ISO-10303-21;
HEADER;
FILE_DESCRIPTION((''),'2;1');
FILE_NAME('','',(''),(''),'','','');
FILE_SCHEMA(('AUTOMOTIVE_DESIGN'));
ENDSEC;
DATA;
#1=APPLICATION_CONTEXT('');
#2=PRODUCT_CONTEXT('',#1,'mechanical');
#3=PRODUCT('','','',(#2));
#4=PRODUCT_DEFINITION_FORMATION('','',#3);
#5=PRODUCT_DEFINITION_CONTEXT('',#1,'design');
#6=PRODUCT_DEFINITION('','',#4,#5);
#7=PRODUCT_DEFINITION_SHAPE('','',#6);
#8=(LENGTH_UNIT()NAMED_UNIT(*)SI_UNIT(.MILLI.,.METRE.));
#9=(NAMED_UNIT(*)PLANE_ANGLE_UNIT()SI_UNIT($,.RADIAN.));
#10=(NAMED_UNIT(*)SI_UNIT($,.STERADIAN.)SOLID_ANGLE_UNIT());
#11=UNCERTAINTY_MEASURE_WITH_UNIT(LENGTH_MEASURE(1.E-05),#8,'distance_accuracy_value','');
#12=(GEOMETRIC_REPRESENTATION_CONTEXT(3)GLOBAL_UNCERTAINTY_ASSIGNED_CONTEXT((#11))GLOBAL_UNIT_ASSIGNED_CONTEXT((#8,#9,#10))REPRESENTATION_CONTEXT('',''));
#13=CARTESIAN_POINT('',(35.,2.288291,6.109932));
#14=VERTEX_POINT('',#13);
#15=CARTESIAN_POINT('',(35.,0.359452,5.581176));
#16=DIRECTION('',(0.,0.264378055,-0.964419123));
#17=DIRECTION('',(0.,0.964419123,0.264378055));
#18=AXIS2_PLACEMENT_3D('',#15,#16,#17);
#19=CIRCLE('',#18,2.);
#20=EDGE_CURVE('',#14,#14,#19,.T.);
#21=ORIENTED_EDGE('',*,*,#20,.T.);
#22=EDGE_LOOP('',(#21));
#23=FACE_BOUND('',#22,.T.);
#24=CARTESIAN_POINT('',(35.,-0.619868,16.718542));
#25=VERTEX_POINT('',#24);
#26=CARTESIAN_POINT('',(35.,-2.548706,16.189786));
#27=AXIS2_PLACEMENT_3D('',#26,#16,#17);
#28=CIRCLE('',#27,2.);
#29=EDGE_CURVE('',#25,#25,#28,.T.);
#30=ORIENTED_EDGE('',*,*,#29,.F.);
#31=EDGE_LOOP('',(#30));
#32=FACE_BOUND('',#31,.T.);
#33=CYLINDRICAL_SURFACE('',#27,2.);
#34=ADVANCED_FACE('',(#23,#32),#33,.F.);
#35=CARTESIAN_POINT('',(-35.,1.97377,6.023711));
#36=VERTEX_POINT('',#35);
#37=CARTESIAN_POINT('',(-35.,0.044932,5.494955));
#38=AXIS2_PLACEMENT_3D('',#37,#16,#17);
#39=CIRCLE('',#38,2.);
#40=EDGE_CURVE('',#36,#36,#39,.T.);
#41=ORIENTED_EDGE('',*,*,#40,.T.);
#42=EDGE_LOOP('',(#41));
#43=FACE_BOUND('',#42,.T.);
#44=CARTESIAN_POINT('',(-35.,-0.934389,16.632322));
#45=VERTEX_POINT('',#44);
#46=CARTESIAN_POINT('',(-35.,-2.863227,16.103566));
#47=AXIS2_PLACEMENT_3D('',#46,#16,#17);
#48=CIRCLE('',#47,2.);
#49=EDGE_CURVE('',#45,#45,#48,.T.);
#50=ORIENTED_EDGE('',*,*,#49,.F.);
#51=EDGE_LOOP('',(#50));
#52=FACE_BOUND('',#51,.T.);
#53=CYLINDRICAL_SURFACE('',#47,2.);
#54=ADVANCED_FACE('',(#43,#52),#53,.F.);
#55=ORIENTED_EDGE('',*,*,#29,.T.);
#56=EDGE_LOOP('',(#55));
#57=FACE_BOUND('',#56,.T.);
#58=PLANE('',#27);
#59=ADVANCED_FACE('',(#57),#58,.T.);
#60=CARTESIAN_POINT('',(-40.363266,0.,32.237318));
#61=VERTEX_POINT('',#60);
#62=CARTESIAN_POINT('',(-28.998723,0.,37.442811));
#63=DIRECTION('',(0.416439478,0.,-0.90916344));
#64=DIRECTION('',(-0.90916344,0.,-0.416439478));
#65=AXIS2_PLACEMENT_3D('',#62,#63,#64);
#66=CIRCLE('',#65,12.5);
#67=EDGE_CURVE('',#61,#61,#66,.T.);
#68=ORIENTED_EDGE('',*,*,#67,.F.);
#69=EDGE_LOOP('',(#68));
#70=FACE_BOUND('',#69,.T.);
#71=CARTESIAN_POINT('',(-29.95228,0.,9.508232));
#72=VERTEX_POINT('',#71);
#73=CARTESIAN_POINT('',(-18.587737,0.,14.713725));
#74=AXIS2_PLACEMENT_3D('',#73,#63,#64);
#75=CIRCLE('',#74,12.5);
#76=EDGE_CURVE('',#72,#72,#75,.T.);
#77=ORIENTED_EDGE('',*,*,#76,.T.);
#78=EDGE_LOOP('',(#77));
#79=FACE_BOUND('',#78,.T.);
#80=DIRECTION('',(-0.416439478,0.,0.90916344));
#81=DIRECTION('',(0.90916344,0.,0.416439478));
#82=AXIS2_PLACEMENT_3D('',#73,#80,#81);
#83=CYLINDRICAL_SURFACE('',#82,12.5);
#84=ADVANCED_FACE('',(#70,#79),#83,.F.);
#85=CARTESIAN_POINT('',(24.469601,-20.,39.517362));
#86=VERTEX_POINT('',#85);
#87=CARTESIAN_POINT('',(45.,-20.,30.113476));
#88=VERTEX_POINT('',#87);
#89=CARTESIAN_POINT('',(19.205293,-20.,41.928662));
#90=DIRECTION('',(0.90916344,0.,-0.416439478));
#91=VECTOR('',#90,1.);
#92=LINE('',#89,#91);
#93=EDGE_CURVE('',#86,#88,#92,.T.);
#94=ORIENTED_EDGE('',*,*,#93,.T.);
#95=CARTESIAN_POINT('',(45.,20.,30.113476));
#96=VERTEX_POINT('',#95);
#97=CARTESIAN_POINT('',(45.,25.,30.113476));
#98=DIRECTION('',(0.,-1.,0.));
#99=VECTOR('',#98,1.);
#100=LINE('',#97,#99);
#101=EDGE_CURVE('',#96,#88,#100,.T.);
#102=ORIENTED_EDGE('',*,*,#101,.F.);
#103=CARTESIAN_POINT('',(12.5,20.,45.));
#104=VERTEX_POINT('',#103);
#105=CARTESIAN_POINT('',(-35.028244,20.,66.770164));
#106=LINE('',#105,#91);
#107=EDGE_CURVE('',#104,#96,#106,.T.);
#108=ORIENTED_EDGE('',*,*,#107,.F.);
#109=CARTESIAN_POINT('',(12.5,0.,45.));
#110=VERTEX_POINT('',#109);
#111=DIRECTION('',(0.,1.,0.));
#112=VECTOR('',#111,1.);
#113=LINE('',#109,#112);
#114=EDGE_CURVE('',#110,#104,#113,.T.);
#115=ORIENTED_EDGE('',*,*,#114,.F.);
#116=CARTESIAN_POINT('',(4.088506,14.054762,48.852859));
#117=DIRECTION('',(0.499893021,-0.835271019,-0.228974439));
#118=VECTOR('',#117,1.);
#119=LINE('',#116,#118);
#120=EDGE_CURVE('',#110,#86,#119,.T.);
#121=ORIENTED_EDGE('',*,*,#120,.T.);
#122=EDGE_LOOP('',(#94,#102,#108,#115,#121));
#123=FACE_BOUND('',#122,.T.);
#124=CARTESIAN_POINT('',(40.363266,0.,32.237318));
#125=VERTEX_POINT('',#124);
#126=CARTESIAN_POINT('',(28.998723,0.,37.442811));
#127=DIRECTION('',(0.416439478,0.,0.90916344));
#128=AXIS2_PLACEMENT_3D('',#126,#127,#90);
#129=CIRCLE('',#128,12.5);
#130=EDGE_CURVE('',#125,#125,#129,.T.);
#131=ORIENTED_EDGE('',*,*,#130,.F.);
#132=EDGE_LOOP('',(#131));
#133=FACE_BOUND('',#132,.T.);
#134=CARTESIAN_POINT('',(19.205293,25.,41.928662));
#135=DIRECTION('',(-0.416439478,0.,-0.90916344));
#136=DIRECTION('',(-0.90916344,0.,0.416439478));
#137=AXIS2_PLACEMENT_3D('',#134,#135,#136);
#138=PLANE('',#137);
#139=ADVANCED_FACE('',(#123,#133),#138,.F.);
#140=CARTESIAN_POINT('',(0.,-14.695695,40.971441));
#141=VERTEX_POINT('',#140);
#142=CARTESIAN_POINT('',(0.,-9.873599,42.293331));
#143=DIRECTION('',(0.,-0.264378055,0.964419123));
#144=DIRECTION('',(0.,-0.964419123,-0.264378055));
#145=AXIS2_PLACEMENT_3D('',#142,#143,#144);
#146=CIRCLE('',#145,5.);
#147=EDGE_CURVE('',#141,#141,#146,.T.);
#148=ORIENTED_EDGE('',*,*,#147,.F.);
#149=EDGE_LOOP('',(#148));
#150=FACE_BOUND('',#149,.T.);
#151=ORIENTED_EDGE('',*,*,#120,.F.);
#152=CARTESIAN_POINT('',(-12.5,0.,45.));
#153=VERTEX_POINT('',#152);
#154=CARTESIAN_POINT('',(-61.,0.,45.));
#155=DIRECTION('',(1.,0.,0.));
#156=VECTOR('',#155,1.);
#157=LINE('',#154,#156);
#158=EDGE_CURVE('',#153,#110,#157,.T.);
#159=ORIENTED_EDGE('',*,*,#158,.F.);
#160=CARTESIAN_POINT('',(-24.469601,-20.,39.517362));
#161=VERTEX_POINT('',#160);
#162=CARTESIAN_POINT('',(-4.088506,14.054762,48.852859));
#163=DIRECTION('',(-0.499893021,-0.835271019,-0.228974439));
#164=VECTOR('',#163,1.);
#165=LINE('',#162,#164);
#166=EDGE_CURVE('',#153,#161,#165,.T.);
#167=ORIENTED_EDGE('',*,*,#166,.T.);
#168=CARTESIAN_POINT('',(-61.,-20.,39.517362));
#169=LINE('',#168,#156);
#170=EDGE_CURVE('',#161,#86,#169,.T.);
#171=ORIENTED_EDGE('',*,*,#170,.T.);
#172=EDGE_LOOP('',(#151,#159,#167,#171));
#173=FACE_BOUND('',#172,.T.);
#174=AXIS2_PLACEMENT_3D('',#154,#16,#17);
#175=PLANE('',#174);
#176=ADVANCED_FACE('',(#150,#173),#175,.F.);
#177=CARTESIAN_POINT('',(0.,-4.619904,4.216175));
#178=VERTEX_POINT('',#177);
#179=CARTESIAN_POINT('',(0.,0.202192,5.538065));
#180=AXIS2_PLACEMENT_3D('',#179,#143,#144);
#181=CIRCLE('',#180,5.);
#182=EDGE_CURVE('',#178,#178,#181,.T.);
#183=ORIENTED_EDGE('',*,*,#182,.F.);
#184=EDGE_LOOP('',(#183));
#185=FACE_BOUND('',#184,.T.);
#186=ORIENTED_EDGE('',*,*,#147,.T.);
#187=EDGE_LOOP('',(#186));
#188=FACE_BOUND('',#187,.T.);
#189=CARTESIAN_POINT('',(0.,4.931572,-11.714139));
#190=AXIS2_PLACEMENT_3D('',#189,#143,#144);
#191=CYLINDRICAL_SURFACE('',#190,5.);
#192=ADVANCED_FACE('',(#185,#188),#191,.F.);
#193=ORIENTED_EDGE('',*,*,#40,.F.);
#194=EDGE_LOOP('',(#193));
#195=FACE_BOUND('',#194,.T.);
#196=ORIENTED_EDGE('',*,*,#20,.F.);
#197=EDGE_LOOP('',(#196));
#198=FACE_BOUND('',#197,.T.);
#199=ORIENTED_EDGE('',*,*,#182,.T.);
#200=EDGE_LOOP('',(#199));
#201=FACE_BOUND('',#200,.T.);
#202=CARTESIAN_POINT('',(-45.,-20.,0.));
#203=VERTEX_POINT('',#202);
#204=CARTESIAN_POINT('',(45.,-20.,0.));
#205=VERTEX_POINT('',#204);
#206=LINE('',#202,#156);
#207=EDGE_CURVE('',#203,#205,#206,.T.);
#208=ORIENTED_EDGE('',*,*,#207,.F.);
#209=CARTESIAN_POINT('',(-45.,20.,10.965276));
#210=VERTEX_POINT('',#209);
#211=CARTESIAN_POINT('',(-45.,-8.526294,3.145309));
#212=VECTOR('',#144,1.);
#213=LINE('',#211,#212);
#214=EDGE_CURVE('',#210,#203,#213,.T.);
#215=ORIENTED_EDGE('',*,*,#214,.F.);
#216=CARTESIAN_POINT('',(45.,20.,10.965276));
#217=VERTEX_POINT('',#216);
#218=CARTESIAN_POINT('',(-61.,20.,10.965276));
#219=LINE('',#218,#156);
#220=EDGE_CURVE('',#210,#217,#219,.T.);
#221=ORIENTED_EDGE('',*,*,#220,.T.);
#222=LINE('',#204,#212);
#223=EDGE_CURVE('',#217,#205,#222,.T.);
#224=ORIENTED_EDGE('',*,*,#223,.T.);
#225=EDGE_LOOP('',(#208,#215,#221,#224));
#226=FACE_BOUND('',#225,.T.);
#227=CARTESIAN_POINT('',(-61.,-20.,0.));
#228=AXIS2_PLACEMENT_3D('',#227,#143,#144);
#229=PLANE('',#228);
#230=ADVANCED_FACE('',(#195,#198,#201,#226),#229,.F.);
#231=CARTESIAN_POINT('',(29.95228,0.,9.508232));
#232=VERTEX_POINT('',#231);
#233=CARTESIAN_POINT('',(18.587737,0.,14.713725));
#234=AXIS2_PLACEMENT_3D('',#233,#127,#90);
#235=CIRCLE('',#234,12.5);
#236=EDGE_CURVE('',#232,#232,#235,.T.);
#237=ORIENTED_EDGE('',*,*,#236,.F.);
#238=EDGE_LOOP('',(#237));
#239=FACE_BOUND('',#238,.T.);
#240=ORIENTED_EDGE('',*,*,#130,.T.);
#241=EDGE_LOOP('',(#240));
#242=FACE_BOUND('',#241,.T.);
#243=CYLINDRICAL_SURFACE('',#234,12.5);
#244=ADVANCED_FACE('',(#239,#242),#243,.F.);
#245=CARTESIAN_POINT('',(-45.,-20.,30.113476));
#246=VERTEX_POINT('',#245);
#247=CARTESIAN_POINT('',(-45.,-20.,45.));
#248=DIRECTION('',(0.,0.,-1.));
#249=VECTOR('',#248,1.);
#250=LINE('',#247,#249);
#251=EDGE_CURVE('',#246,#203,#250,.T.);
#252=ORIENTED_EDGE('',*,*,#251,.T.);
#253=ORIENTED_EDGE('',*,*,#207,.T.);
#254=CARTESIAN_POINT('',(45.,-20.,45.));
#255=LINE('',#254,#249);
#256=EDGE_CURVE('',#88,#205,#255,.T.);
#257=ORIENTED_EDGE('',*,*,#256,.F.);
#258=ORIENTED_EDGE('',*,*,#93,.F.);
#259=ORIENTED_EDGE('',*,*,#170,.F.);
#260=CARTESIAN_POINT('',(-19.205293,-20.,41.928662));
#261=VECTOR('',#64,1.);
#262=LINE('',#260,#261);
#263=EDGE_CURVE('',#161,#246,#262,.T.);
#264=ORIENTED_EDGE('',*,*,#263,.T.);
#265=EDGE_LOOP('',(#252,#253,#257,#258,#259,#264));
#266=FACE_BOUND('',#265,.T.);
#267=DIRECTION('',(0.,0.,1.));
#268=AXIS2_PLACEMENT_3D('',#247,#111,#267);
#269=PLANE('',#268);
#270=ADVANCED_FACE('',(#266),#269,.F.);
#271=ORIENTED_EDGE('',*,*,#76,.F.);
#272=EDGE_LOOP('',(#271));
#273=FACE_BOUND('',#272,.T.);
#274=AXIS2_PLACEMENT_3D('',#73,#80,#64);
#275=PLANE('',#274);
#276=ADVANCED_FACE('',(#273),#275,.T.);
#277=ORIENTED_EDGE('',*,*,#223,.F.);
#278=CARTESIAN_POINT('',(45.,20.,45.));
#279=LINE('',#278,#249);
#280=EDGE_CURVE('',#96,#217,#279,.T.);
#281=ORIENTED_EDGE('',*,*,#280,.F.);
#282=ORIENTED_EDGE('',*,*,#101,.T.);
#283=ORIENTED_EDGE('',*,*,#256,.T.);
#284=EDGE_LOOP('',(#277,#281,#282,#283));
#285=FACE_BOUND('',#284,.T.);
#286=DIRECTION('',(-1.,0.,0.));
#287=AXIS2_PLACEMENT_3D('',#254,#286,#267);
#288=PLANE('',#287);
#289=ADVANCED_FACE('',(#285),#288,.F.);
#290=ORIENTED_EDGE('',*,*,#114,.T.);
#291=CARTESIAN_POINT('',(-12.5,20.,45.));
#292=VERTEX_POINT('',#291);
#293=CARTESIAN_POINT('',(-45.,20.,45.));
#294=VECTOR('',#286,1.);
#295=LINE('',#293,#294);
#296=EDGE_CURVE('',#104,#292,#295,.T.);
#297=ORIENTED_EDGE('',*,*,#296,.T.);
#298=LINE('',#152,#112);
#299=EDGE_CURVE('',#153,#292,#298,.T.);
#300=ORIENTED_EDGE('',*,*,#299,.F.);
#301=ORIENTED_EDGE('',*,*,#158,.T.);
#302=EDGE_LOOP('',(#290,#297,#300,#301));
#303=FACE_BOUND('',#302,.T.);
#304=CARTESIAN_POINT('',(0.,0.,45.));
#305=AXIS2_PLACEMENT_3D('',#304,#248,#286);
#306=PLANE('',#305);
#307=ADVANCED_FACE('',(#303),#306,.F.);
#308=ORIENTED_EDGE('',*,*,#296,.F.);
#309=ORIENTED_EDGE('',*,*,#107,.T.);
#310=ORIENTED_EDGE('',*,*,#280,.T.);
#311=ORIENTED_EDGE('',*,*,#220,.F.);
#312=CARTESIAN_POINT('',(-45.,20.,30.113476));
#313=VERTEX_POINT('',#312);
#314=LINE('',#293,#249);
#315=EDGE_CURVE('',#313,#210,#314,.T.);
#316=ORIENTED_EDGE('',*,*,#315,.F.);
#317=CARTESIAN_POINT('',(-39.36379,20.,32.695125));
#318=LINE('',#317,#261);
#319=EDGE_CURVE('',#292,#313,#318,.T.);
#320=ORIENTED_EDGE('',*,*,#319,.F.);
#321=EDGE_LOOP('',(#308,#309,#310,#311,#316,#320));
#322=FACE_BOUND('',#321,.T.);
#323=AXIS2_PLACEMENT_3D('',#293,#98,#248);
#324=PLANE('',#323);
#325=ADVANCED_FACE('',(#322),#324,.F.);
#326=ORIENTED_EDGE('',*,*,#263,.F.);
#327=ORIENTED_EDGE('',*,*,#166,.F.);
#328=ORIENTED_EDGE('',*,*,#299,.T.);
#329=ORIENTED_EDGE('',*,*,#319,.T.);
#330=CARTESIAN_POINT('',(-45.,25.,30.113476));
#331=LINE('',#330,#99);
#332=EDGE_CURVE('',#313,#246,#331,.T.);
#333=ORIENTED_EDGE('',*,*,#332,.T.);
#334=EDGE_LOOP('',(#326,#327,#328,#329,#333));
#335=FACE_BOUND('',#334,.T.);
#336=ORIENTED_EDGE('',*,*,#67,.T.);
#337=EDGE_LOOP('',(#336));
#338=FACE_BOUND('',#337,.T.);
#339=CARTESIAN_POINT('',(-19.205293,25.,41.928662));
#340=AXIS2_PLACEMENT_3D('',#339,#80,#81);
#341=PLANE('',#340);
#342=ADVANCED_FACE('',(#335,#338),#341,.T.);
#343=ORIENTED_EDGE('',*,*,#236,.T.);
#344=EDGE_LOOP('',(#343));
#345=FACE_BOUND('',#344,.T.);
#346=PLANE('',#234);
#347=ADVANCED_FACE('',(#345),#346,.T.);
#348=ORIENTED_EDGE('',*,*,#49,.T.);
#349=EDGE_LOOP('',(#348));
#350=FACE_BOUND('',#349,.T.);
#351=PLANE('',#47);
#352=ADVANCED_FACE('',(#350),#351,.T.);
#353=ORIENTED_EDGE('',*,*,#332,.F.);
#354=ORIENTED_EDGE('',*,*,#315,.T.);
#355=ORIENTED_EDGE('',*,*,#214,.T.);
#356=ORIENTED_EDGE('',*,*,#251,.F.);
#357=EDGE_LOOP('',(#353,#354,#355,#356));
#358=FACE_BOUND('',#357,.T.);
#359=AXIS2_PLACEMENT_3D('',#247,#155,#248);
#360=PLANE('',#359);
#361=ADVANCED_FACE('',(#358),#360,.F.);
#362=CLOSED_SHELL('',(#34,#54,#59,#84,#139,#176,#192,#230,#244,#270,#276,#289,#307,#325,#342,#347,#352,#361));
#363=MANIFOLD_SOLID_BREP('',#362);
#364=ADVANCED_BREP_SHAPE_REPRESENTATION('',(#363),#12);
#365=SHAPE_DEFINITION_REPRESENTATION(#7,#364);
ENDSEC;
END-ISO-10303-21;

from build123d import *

# Parameters (mm, degrees)
ESQUISSE1_W             = 90
ESQUISSE1_H             = 40
BOSS_EXTRU_1_DEPTH      = 45
ENL_V_MAT_EXTRU_2_DEPTH = 45
ENL_V_MAT_EXTRU_3_DEPTH = 106
ESQUISSE6_R             = 12.5
ENL_V_MAT_EXTRU_4_DEPTH = 25
ESQUISSE7_R             = 5
ENL_V_MAT_EXTRU_5_DEPTH = 56
ESQUISSE9_R             = 2
ENL_V_MAT_EXTRU_6_DEPTH = 11


with BuildPart() as part:
    # Esquisse1 → Boss.-Extru.1 (new body)
    with BuildSketch(Plane.XY):
        Rectangle(ESQUISSE1_W, ESQUISSE1_H)
    extrude(amount=BOSS_EXTRU_1_DEPTH)

    # Esquisse2 → Enlèv. mat.-Extru.2 (cut)
    with BuildSketch(Plane.XZ.offset(20)):
        Polygon((45, 45), (12.5, 45), (45, 30.113476392), align=None)
        Polygon((-45, 30.113476392), (-12.5, 45), (-45, 45), align=None)
    extrude(amount=-ENL_V_MAT_EXTRU_2_DEPTH, mode=Mode.SUBTRACT)

    # Esquisse3 → Enlèv. mat.-Extru.3 (cut)
    with BuildSketch(Plane(origin=(45, 0, 0), x_dir=(0, 0, -1), z_dir=(1, 0, 0))):
        Polygon((0, -20), (-10.965276347, 20), (0, 20), align=None)
        Polygon((-45, 0), (-39.517361826, -20), (-45, -20), align=None)
    extrude(amount=-ENL_V_MAT_EXTRU_3_DEPTH, mode=Mode.SUBTRACT)

    # Esquisse6 → Enlèv. mat.-Extru.4 (cut)
    with BuildSketch(Plane(origin=(19.205292649, 0, 41.928661621), x_dir=(0.90916344, 0, -0.416439478), z_dir=(0.416439478, 0, 0.90916344))):
        with Locations((10.771914446, 0)):
            Circle(ESQUISSE6_R)
    enl_v_mat_extru_4 = extrude(amount=-ENL_V_MAT_EXTRU_4_DEPTH, mode=Mode.SUBTRACT)

    # Symétrie1: Enlèv. mat.-Extru.4 across plane
    add(enl_v_mat_extru_4.mirror(Plane(origin=(0, 0, 0), x_dir=(0, 0, 1), z_dir=(1, 0, 0))), mode=Mode.SUBTRACT)

    # Esquisse7 → Enlèv. mat.-Extru.5 (cut)
    with BuildSketch(Plane(origin=(0, -11.473706327, 41.854690985), x_dir=(1, 0, 0), z_dir=(0, -0.264378055, 0.964419123))):
        with Locations((0, 1.6591408)):
            Circle(ESQUISSE7_R)
    extrude(amount=-ENL_V_MAT_EXTRU_5_DEPTH, mode=Mode.SUBTRACT)

    # Esquisse9 → Enlèv. mat.-Extru.6 (cut)
    with BuildSketch(Plane(origin=(0, -1.397915118, 5.099425034), x_dir=(-1, 0, 0), z_dir=(0, 0.264378055, -0.964419123))):
        with Locations((35, 1.496078457)):
            Circle(ESQUISSE9_R)
        with Locations((-35, 1.822203143)):
            Circle(ESQUISSE9_R)
    extrude(amount=-ENL_V_MAT_EXTRU_6_DEPTH, mode=Mode.SUBTRACT)


solid = part.part
